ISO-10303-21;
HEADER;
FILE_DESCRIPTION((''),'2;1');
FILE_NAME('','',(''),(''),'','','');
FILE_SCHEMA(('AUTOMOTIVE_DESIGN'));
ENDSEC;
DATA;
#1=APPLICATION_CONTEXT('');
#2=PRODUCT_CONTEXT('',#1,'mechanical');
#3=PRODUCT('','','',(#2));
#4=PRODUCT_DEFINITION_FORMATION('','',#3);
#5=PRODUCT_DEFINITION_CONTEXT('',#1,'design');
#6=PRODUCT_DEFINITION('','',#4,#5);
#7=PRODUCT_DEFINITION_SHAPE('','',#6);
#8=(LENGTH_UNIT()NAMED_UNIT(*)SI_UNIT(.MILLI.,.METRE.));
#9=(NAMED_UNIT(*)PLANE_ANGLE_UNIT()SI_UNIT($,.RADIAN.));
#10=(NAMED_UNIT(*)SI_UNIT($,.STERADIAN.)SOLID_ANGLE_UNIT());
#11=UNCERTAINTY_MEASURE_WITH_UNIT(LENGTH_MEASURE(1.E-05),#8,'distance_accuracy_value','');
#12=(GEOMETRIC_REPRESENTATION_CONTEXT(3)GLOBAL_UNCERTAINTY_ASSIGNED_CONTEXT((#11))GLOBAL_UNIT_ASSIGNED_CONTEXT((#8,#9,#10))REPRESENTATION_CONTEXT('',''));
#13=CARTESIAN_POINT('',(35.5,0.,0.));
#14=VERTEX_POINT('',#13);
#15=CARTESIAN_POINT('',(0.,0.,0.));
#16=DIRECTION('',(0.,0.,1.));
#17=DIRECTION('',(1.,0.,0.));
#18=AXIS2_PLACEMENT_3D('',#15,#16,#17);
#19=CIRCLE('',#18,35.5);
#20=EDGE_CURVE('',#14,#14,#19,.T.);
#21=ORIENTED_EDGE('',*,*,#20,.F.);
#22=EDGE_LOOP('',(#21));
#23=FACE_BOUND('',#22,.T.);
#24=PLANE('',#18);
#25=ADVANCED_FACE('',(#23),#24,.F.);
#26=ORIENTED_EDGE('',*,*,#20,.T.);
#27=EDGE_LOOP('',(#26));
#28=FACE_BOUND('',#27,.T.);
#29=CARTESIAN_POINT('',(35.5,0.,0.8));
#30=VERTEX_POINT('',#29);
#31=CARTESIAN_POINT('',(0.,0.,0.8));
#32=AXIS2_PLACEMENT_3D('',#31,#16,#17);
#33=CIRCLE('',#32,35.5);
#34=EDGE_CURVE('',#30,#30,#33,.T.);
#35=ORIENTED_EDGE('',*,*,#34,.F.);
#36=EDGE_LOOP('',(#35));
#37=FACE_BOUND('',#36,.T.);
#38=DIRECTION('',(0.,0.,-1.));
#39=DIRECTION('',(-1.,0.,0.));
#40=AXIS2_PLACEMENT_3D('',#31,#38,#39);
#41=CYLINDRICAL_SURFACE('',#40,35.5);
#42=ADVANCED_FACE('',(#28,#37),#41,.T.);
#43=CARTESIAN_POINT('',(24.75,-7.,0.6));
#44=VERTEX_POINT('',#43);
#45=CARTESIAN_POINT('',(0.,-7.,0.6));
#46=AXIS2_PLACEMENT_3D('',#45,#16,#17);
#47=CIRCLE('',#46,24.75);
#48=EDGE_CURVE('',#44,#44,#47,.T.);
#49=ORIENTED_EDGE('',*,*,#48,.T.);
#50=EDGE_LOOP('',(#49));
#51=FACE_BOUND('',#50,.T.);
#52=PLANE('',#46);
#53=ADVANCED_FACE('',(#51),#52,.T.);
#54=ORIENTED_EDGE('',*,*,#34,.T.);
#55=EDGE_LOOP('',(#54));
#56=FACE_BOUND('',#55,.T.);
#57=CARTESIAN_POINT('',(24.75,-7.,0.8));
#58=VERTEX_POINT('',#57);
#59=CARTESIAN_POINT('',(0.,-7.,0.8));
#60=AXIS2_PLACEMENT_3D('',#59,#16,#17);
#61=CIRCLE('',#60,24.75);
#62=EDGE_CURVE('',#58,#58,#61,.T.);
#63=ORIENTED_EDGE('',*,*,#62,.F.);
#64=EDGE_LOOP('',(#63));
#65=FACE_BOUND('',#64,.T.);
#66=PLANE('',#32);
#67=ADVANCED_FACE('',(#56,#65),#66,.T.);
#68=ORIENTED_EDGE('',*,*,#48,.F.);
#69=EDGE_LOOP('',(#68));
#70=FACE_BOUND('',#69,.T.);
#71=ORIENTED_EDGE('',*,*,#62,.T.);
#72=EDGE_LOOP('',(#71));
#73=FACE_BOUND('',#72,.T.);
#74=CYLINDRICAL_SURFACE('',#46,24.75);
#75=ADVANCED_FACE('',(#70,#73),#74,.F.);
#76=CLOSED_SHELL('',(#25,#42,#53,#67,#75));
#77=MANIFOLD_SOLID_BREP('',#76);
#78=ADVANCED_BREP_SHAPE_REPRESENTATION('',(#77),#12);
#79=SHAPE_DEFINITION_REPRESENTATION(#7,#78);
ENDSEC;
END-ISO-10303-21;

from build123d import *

# Parameters (mm, degrees)
SKETCH1_R           = 35.5
BOSS_EXTRUDE1_DEPTH = 0.8
SKETCH2_R           = 24.75
CUT_EXTRUDE1_DEPTH  = 0.2


with BuildPart() as part:
    # Sketch1 → Boss-Extrude1 (new body)
    with BuildSketch(Plane.XY):
        Circle(SKETCH1_R)
    extrude(amount=BOSS_EXTRUDE1_DEPTH)

    # Sketch2 → Cut-Extrude1 (cut)
    with BuildSketch(Plane.XY.offset(0.8)):
        with Locations((0, -7)):
            Circle(SKETCH2_R)
    extrude(amount=-CUT_EXTRUDE1_DEPTH, mode=Mode.SUBTRACT)


solid = part.part
